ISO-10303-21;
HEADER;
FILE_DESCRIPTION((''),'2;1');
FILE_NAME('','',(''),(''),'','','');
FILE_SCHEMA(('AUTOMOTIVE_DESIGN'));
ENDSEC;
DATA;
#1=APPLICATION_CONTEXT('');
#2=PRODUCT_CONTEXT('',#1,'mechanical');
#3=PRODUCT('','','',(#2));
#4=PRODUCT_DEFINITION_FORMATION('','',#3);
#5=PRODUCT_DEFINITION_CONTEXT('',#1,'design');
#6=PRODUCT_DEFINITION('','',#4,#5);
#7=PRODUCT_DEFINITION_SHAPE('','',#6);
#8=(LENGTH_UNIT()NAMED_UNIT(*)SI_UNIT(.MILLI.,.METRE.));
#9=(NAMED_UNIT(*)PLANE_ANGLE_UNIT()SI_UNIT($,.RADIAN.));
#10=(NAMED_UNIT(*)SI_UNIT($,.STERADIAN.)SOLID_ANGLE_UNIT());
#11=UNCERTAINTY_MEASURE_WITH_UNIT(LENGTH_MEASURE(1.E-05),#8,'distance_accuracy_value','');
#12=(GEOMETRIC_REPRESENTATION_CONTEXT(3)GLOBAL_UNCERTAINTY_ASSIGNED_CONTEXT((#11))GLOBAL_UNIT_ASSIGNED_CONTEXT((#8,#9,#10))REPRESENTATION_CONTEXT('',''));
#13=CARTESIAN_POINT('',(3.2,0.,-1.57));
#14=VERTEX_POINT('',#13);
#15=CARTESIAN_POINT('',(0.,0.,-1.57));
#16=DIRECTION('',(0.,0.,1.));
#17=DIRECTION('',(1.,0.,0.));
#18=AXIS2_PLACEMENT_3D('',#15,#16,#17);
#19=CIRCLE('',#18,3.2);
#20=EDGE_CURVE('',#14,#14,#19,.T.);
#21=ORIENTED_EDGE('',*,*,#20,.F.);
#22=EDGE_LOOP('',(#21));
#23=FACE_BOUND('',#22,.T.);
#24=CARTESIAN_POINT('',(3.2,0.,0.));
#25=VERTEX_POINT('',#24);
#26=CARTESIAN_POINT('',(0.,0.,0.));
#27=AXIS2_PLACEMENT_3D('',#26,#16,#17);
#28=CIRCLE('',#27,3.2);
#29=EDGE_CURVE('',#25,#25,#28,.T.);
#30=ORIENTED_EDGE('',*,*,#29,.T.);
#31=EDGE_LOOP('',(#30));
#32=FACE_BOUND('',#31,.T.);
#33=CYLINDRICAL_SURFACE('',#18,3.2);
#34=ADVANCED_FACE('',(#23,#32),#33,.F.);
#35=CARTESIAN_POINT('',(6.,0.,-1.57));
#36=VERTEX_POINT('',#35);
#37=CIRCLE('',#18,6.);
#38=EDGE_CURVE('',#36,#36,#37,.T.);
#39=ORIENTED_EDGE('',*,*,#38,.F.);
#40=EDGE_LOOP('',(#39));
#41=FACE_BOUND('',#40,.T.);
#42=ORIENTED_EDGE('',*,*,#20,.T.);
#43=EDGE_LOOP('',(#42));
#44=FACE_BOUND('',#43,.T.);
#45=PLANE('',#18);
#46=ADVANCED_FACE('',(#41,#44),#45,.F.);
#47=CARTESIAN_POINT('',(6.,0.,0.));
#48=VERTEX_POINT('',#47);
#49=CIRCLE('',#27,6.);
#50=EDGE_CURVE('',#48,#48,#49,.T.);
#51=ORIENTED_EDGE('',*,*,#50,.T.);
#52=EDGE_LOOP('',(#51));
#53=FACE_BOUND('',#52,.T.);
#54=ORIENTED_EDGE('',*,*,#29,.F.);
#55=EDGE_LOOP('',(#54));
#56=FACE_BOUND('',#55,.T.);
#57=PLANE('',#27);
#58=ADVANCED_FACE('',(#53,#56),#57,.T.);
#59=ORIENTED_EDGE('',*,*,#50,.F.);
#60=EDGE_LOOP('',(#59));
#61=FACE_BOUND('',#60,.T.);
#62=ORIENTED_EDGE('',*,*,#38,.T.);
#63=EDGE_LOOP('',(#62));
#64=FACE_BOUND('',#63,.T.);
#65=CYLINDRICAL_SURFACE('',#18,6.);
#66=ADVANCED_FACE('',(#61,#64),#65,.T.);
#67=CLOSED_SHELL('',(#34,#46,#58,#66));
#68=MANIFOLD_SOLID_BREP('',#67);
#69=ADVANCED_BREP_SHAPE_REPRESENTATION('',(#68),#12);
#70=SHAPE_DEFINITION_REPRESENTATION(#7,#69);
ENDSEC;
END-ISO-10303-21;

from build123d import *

# Parameters (mm, degrees)
SKETCH3_R           = 6
SKETCH3_R_2         = 3.2
BOSS_EXTRUDE1_DEPTH = 1.57


with BuildPart() as part:
    # Sketch3 → Boss-Extrude1 (new body)
    with BuildSketch(Plane.XY):
        Circle(SKETCH3_R)
        Circle(SKETCH3_R_2, mode=Mode.SUBTRACT)
    extrude(amount=-BOSS_EXTRUDE1_DEPTH)


solid = part.part
